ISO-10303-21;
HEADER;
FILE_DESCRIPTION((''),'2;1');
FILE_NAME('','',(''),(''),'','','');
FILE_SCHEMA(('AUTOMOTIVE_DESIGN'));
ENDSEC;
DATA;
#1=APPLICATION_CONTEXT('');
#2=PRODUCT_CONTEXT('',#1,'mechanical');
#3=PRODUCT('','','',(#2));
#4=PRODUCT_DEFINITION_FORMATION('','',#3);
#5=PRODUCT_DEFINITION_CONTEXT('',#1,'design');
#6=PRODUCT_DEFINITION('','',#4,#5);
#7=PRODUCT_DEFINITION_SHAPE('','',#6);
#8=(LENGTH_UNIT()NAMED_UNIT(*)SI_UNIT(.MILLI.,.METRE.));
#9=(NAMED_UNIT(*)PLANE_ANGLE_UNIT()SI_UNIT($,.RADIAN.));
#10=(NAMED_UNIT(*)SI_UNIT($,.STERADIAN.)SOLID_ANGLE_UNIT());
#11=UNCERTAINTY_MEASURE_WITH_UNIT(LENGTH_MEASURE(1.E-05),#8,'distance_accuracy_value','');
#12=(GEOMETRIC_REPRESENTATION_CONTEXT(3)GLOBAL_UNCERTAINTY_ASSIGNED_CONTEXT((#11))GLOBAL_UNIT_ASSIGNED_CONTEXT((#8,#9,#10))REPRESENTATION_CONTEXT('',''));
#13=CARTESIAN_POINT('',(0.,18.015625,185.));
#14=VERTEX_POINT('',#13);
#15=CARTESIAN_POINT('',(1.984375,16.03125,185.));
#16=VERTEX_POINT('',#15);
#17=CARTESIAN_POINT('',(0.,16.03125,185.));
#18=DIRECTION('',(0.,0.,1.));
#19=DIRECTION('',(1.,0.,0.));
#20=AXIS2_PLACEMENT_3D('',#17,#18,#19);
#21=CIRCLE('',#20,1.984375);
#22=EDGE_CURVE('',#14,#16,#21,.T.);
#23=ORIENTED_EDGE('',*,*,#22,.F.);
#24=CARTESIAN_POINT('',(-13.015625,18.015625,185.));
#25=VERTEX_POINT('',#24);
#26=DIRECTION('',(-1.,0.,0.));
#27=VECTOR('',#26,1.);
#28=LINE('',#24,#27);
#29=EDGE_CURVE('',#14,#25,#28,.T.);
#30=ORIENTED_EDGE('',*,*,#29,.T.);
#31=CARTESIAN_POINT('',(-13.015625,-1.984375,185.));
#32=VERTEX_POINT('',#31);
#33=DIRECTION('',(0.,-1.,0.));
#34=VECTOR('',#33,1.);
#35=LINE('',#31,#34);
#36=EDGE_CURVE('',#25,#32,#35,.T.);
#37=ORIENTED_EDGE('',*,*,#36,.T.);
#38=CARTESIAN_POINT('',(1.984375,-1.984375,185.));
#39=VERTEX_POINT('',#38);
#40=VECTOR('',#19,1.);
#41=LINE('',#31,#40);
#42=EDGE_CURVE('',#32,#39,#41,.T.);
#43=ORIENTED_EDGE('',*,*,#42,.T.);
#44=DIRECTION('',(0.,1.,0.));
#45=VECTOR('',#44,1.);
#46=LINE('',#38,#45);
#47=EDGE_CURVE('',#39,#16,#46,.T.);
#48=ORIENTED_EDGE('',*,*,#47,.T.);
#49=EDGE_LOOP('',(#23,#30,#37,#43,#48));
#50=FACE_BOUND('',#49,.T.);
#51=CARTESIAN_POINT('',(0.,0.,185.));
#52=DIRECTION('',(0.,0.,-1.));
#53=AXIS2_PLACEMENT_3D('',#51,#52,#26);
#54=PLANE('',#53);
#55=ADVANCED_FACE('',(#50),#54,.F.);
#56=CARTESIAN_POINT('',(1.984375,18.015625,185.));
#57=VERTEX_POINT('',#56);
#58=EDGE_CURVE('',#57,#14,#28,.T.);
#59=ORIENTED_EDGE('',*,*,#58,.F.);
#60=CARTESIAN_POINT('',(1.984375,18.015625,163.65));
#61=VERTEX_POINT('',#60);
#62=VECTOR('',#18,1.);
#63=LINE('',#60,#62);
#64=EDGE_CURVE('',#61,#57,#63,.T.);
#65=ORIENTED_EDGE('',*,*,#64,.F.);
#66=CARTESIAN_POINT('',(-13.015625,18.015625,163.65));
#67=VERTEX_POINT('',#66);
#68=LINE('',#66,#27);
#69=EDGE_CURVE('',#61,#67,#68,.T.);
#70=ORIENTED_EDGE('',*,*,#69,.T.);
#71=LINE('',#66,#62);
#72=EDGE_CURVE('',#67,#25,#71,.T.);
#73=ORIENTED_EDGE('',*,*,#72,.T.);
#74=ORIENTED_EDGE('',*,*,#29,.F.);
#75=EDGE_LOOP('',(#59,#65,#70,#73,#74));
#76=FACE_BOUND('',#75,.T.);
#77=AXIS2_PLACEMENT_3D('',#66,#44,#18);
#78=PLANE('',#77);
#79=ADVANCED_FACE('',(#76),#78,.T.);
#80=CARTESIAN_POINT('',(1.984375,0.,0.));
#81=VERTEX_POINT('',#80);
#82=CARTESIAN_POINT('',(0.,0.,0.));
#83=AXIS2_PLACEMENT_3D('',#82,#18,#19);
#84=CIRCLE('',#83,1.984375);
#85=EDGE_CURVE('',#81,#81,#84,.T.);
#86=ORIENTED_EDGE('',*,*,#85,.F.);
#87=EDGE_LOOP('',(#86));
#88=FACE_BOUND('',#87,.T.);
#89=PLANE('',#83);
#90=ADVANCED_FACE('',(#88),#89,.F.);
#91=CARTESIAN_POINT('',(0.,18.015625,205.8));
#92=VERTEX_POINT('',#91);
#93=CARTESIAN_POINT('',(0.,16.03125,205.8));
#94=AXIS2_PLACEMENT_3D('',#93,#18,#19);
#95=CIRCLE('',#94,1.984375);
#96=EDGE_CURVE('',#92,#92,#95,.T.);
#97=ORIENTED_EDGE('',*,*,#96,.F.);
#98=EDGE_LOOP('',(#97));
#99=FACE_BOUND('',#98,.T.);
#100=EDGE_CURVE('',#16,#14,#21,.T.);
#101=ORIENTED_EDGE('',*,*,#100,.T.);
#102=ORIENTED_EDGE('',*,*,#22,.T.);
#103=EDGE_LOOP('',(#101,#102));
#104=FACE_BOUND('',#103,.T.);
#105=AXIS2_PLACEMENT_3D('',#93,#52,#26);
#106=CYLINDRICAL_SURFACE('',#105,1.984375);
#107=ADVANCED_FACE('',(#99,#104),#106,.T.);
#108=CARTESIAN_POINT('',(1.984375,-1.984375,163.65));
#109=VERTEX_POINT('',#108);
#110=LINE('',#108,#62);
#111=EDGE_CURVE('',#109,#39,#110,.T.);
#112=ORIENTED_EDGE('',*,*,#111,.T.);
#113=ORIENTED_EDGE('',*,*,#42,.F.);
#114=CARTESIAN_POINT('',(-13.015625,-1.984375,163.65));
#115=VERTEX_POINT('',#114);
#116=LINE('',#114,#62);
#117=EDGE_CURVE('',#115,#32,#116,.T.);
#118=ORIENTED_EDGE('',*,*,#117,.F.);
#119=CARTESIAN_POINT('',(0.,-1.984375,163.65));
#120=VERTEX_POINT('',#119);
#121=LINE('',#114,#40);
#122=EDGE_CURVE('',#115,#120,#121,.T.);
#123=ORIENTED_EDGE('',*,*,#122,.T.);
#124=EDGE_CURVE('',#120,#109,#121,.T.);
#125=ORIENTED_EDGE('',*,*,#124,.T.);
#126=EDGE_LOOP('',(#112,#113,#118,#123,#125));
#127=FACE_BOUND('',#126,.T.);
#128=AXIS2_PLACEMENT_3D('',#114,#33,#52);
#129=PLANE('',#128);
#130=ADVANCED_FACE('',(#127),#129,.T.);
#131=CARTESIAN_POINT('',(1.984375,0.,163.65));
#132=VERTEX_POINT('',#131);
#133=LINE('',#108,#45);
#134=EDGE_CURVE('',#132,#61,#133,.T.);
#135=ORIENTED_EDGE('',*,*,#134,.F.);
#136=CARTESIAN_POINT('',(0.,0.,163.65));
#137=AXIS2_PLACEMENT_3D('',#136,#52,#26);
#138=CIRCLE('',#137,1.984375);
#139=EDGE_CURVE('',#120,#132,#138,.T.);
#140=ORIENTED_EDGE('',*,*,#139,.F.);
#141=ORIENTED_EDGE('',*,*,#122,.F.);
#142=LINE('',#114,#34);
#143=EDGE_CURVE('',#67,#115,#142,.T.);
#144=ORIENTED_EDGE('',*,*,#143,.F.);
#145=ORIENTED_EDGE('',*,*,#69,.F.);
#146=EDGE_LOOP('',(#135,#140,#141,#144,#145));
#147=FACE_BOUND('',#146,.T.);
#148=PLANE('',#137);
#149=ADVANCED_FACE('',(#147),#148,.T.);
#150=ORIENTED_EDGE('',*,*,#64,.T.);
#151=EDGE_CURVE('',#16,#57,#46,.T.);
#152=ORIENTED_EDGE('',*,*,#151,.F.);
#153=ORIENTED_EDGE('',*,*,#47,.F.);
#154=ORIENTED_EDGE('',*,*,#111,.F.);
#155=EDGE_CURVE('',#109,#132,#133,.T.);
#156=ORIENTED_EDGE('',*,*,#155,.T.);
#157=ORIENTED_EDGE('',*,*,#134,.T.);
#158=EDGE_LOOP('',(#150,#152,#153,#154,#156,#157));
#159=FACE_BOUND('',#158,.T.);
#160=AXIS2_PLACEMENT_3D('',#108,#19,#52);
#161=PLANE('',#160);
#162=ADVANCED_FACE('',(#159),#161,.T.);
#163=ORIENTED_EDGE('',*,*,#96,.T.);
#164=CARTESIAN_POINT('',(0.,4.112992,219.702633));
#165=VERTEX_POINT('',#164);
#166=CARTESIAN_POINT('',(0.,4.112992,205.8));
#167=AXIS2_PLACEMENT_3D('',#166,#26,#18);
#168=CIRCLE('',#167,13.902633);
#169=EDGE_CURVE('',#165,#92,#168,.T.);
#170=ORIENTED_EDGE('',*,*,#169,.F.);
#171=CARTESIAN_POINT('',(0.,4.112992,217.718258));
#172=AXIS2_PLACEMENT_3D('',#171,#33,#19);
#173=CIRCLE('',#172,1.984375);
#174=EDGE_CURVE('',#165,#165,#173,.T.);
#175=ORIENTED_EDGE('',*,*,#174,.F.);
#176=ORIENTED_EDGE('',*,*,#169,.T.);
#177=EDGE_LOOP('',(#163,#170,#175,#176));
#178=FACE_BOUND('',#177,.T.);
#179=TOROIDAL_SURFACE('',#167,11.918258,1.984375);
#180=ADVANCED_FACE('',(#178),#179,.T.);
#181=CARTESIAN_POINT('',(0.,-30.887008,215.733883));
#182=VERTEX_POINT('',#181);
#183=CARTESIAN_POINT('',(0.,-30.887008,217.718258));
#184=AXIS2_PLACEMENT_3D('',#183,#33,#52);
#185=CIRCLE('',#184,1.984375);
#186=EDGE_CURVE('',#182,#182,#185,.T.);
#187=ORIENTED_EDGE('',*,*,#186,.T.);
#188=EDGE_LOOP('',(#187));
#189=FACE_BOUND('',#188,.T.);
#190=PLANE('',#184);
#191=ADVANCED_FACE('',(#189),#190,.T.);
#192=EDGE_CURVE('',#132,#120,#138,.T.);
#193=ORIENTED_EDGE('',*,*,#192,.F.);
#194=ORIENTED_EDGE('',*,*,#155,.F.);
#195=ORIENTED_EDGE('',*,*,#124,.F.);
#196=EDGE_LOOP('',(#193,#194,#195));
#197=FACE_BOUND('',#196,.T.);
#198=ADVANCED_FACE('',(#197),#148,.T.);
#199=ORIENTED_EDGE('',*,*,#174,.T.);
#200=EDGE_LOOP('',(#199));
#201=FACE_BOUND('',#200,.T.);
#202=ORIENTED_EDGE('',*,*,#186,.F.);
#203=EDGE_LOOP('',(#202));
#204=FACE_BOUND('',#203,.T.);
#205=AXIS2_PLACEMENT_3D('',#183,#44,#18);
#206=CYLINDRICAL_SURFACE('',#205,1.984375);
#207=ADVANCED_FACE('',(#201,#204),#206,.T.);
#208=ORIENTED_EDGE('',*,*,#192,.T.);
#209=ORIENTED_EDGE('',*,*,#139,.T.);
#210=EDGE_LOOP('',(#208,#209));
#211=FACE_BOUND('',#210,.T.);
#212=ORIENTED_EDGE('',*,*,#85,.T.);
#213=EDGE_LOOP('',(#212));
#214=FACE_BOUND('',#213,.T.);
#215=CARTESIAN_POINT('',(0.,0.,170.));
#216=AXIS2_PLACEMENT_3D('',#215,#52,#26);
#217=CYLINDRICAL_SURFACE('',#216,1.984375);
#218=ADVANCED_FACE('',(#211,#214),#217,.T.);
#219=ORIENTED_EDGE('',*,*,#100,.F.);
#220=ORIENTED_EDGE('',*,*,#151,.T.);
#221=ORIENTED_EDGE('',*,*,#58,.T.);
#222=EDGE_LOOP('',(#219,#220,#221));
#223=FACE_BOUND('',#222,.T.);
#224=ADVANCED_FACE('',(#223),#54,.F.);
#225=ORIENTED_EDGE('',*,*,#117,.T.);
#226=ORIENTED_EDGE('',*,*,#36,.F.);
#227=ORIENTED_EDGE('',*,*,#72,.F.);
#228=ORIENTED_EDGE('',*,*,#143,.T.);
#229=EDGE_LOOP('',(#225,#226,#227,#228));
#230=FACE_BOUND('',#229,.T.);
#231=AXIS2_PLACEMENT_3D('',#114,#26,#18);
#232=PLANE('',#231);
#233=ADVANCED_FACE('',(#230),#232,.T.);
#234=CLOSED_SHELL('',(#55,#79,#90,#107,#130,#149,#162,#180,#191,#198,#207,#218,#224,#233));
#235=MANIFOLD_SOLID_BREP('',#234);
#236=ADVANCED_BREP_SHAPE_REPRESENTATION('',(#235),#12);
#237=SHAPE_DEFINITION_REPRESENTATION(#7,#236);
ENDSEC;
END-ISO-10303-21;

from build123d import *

# Parameters (mm, degrees)
SKETCH1_R                = 1.984375
BOSS_EXTRUDE1_DEPTH      = 170
BOSS_EXTRUDE2_DEPTH      = 15
BOSS_EXTRUDE2_DEPTH_BACK = 6.35
SKETCH2_W                = 15
SKETCH2_H                = 20
SKETCH3_R                = 1.984375
BOSS_EXTRUDE3_DEPTH      = 20.799999976
SKETCH4_R                = 1.984375
REVOLVE5_ANGLE           = 90
SKETCH6_R                = 1.984375
BOSS_EXTRUDE4_DEPTH      = 35.000000038


with BuildPart() as part:
    # Sketch1 → Boss-Extrude1 (new body)
    with BuildSketch(Plane.XY):
        Circle(SKETCH1_R)
    extrude(amount=BOSS_EXTRUDE1_DEPTH)

    # Sketch2 → Boss-Extrude2 (add, two sides: drawn at the far end of the back side and taken through both)
    with BuildSketch(Plane.XY.offset(170).offset(-BOSS_EXTRUDE2_DEPTH_BACK)):
        with Locations((-5.515625, 8.015625)):
            Rectangle(SKETCH2_W, SKETCH2_H)
    extrude(amount=BOSS_EXTRUDE2_DEPTH + BOSS_EXTRUDE2_DEPTH_BACK)

    # Sketch3 → Boss-Extrude3 (add)
    with BuildSketch(Plane.XY.offset(185)):
        with Locations((0, 16.03125)):
            Circle(SKETCH3_R)
    extrude(amount=BOSS_EXTRUDE3_DEPTH)

    # Sketch4 → Revolve5 (revolve)
    with BuildSketch(Plane.XY.offset(205.799999976)):
        with Locations(Location((0, 16.03125, 0), (0, 0, 90))):
            Circle(SKETCH4_R)
    revolve(axis=Axis((-5.972283048, 4.112992181, 205.799999976), (1, 0, 0)), revolution_arc=REVOLVE5_ANGLE)

    # Sketch6 → Boss-Extrude4 (add)
    with BuildSketch(Plane.XZ.offset(-4.112992181)):
        with Locations(Location((0, 217.718257795, 0), (0, 0, 90))):
            Circle(SKETCH6_R)
    extrude(amount=BOSS_EXTRUDE4_DEPTH)


solid = part.part
